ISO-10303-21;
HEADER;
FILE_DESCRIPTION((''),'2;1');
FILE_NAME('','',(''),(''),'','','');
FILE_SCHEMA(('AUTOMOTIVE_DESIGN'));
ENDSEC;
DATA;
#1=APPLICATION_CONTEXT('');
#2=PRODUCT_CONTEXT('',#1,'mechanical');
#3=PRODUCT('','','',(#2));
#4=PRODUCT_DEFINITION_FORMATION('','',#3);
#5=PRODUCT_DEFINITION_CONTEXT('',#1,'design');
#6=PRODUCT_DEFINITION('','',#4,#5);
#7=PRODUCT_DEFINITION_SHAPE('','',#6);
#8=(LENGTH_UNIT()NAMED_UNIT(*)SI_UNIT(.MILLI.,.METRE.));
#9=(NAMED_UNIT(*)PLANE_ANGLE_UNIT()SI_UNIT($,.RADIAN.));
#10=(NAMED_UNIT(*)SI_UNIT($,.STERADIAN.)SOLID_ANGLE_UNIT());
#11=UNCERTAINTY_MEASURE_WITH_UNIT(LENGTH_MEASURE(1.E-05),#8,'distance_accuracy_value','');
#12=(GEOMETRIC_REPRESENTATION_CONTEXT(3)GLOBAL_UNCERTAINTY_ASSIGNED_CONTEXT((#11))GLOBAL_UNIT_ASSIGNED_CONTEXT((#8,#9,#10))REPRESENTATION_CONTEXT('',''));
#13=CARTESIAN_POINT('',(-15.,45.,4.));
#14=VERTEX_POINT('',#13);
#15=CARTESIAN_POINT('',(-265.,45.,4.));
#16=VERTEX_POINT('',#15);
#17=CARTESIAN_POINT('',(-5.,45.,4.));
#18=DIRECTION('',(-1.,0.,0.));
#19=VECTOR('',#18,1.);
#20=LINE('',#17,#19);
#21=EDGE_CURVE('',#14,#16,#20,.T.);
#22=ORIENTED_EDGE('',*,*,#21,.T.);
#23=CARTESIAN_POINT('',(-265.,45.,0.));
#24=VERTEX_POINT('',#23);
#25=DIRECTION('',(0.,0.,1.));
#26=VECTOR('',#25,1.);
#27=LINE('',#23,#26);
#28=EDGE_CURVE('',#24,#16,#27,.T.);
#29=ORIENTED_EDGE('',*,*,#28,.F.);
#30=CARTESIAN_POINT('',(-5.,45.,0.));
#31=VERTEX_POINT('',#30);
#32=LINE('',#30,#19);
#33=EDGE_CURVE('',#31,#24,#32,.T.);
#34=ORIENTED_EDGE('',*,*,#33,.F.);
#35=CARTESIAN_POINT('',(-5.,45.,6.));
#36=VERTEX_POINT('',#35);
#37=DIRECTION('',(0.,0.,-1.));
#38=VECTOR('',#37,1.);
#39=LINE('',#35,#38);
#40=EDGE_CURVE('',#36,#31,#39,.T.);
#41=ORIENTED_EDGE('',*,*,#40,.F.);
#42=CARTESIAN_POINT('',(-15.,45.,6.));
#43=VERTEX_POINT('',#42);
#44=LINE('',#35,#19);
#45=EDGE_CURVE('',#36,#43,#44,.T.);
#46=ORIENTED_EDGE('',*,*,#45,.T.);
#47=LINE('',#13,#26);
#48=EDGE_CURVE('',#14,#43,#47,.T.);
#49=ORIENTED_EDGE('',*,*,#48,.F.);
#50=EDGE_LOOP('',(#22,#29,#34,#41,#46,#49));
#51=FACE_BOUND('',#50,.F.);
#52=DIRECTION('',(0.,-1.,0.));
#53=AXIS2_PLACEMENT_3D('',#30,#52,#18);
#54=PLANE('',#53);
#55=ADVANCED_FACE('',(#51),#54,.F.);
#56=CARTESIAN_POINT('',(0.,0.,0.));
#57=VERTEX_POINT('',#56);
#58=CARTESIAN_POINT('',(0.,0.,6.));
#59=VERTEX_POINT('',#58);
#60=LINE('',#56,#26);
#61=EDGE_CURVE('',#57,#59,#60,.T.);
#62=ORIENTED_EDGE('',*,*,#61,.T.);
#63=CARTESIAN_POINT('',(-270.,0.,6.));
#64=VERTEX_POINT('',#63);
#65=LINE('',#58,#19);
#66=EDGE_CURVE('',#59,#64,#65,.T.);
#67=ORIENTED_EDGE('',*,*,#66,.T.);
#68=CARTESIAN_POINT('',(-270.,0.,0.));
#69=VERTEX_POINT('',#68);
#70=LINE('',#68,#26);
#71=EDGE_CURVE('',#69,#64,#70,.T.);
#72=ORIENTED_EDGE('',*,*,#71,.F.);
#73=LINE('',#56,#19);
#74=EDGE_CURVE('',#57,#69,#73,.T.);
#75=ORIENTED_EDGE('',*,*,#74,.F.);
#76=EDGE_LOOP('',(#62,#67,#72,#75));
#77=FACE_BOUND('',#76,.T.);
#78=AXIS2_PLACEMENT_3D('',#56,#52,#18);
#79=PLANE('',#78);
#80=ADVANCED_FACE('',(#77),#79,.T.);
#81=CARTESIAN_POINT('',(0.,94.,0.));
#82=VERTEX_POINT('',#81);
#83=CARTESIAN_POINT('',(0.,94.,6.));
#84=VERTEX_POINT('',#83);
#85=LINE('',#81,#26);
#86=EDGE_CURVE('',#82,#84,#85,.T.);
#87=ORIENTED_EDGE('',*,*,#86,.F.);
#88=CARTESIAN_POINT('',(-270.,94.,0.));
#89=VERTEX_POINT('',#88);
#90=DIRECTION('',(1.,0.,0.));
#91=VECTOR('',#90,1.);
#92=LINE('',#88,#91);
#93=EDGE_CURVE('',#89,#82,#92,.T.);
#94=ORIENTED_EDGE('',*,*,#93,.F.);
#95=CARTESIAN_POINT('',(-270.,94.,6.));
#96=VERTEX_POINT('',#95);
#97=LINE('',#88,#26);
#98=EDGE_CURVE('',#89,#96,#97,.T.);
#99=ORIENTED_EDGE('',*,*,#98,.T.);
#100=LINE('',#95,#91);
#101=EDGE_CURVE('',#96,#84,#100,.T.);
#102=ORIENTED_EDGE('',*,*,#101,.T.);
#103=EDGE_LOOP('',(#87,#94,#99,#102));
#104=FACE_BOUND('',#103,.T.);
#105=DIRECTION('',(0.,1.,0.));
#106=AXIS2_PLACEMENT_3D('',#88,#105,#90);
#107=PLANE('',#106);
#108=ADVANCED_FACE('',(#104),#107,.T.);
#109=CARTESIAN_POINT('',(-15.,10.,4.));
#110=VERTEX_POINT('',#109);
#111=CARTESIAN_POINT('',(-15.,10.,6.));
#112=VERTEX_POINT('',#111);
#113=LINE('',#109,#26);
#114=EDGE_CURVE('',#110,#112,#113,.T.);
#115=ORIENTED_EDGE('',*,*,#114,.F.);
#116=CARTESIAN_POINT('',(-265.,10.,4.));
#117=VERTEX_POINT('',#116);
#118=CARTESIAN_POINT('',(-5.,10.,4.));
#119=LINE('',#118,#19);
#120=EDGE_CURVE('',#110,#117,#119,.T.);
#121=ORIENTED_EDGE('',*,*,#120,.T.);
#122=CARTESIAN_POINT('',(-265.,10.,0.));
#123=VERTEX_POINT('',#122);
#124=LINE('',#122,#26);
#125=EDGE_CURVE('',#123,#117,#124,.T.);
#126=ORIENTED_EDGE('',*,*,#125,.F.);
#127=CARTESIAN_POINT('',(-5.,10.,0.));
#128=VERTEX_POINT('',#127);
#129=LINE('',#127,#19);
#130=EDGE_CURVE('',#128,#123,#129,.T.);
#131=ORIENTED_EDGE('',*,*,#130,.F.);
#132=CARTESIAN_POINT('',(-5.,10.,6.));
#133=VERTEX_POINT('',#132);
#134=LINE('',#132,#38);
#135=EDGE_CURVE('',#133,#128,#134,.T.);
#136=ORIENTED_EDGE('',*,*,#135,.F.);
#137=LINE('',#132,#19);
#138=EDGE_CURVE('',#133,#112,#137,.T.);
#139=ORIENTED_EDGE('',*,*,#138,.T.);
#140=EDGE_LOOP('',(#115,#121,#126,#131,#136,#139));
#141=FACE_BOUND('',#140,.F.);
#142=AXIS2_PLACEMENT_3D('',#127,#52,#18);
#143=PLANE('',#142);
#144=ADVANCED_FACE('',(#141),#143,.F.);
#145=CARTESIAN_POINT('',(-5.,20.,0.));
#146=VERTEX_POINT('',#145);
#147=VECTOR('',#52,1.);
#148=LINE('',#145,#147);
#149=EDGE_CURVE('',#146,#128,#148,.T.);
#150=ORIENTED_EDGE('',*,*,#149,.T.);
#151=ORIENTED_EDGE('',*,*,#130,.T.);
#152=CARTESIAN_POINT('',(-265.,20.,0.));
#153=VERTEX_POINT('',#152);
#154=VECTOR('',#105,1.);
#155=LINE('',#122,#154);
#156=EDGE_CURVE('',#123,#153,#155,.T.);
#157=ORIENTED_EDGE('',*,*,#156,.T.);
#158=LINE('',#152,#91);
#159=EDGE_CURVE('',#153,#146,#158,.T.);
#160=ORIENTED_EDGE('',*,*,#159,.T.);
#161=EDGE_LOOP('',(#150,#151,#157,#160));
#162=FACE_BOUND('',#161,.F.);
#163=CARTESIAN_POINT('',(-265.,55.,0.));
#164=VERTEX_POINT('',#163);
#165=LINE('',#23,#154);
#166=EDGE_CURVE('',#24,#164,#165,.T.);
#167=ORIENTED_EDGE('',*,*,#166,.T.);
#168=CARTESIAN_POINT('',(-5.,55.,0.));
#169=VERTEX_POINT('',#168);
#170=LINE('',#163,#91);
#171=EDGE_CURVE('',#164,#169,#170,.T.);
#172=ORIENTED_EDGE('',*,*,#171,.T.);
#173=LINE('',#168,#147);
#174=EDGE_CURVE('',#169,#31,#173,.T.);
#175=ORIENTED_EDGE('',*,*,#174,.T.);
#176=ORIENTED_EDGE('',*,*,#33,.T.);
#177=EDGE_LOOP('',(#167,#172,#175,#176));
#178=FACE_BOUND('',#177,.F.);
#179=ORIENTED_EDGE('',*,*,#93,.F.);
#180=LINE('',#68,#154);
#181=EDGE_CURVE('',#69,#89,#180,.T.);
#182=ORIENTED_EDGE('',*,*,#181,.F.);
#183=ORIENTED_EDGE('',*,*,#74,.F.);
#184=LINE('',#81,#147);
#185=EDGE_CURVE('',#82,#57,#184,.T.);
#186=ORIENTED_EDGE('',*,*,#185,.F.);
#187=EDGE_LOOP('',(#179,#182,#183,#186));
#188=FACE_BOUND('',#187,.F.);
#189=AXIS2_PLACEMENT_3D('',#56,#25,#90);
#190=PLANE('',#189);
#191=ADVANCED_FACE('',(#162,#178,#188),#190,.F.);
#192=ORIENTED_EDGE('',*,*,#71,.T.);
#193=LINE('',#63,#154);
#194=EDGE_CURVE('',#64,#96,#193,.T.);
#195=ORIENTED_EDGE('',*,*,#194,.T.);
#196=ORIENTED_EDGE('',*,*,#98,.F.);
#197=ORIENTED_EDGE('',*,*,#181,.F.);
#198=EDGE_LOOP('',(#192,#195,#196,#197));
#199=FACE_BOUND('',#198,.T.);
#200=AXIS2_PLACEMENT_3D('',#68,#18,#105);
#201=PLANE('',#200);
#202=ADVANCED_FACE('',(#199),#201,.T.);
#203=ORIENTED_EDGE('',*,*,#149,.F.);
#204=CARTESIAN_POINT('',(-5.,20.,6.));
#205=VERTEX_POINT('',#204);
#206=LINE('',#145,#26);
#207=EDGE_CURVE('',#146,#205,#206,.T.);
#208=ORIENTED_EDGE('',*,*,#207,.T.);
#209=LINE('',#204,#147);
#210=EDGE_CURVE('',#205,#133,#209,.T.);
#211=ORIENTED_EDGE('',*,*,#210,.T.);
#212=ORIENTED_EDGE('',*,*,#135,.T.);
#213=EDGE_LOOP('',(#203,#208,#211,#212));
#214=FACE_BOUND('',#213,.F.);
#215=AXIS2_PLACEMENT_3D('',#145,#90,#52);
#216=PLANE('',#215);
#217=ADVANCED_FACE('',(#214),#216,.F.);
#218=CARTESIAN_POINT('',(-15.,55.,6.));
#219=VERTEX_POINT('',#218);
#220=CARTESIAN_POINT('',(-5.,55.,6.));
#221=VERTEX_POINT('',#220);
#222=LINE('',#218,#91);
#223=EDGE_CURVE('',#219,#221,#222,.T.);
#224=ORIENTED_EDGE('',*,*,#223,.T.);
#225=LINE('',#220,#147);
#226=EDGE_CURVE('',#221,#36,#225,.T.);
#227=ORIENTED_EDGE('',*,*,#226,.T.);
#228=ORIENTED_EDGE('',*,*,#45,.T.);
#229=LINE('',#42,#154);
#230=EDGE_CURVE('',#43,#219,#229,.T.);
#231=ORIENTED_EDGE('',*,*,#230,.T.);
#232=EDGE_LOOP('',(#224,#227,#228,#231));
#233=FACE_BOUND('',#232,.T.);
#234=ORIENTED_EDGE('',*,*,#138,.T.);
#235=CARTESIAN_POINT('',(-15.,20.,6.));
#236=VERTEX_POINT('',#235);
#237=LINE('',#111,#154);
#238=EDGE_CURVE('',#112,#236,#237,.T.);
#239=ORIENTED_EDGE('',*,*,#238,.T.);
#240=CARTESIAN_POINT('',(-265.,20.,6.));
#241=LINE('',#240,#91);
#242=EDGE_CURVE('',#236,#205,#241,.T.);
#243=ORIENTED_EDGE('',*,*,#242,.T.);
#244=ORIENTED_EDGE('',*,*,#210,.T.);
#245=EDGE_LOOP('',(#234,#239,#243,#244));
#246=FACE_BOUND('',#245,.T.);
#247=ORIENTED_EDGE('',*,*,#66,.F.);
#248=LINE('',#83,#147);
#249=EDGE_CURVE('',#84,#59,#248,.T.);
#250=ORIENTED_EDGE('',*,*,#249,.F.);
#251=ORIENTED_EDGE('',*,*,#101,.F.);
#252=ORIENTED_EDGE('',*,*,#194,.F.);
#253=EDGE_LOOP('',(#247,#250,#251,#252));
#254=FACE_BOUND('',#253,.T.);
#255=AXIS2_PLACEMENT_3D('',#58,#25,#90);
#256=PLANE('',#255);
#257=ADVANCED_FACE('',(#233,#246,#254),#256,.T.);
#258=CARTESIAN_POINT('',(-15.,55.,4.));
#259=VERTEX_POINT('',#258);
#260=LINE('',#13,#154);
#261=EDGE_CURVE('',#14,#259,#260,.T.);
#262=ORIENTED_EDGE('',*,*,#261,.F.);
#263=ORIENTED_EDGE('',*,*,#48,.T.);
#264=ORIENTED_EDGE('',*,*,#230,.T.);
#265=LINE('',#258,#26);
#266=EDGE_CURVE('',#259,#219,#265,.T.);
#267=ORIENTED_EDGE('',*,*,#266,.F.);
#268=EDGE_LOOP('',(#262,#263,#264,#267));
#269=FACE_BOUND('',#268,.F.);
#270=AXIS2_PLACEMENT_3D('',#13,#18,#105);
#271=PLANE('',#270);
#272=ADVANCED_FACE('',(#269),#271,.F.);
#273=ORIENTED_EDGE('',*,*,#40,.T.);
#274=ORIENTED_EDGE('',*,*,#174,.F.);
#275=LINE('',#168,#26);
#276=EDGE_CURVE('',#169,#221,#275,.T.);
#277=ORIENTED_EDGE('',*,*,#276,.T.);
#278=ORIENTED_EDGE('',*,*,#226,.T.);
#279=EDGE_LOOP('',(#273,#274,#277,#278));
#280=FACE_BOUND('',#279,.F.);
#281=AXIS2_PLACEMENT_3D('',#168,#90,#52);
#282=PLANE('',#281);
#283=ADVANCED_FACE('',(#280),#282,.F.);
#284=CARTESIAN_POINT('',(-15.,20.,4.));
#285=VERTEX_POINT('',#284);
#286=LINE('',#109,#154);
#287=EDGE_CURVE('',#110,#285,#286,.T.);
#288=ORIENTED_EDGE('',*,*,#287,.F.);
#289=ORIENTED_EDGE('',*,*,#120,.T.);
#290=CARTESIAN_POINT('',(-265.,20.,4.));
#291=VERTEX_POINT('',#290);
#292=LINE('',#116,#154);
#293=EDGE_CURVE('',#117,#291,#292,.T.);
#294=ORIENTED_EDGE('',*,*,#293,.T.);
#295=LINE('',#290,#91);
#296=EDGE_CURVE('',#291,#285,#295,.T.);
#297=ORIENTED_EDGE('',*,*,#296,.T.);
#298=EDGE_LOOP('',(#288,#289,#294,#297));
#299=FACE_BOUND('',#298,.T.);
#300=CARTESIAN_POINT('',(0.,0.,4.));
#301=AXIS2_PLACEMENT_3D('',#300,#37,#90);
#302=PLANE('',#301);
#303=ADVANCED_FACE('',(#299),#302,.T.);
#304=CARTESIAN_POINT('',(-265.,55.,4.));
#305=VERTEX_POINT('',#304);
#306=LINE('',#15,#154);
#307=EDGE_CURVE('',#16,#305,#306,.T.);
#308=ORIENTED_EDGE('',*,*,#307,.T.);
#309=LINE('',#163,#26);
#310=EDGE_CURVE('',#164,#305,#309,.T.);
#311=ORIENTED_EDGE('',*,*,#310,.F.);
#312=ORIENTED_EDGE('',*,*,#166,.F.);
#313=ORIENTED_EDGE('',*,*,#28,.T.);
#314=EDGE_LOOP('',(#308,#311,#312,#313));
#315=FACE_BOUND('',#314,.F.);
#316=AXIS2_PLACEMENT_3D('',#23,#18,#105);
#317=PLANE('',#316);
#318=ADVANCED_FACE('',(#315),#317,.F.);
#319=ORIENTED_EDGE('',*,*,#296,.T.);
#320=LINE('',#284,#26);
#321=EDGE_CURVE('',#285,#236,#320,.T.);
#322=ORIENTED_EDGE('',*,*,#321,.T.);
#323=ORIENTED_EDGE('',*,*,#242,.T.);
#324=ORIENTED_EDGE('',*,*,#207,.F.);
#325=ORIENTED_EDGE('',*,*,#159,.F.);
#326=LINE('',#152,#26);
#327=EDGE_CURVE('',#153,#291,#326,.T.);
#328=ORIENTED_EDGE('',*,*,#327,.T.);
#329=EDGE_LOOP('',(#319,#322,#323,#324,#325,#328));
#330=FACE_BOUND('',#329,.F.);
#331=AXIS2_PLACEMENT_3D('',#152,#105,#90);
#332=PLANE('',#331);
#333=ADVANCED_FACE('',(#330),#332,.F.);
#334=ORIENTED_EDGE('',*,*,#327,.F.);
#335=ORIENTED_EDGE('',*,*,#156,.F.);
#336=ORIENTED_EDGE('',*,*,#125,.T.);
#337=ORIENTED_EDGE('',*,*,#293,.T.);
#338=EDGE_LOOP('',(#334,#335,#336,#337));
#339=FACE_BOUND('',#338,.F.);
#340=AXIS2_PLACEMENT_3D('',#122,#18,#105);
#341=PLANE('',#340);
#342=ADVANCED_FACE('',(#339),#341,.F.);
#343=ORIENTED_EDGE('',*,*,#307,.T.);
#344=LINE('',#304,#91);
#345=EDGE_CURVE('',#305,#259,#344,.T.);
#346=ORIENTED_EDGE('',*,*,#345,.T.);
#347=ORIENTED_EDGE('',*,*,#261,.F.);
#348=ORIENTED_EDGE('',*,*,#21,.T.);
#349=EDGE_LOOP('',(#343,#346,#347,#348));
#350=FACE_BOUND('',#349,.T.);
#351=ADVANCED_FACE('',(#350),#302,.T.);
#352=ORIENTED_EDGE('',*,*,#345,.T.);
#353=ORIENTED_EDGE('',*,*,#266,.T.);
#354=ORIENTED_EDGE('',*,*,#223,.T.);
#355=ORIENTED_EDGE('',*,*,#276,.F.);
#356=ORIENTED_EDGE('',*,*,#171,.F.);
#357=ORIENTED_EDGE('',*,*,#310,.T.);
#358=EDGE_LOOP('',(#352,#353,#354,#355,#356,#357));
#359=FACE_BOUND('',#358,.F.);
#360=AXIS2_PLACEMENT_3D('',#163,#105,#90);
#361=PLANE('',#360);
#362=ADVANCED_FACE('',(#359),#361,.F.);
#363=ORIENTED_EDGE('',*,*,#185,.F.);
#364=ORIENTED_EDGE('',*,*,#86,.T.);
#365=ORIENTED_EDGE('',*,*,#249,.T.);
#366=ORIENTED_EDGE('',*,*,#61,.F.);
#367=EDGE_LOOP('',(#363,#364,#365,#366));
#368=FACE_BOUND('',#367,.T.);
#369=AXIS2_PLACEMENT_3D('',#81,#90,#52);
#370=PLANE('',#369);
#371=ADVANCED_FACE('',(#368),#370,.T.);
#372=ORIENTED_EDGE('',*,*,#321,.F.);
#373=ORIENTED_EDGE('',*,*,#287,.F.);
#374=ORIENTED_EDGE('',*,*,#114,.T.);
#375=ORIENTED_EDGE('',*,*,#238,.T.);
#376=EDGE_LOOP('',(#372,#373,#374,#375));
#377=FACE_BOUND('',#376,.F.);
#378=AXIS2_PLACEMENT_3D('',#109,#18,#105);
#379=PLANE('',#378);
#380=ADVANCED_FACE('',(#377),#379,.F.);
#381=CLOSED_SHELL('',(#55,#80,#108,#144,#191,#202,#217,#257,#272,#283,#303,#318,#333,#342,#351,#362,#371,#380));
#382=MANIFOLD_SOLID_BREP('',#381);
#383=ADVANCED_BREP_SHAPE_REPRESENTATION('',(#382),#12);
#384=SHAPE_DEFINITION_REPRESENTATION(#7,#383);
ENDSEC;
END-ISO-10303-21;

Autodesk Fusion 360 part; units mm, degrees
sketch "Sorted Smarties Top" plane through (0, 0, 0) normal (0, 0, 1) x (1, 0, 0)
  line L0 (0, 0) -> (-270, 0)
  line L1 (-270, 0) -> (-270, 94)
  line L2 (-270, 94) -> (0, 94)
  line L3 (0, 94) -> (0, 0)
  dimension "d2" = 270
  dimension "d3" = 94
extrude "Extrude1" add sketch "Sorted Smarties Top" along normal blind 6
sketch "Sketch2" plane through (0, 0, 0) normal (0, 0, -1) x (1, 0, 0)
  line L0 (-270, -94) -> (0, -94)
  line L1 (0, -94) -> (0, 0)
  line L2 (0, 0) -> (-270, 0)
  line L3 (-270, 0) -> (-270, -94)
  line L4 (-5, -10) -> (-265, -10)
  line L5 (-265, -10) -> (-265, -20)
  line L6 (-265, -20) -> (-5, -20)
  line L7 (-5, -20) -> (-5, -10)
  line L8 (-5, -45) -> (-265, -45)
  line L9 (-265, -45) -> (-265, -55)
  line L10 (-265, -55) -> (-5, -55)
  line L11 (-5, -55) -> (-5, -45)
  dimension "d6" = 10
  dimension "d7" = 10
  dimension "d8" = 10
  dimension "d9" = 25
  dimension "d10" = 5
  dimension "d11" = 5
  dimension "d12" = 5
  dimension "d13" = 5
extrude "Extrude2" cut sketch "Sketch2" against normal blind 4 contours L4 L5 L6 L7 | L8 L9 L10 L11
sketch "Sketch3" plane through (0, 0, 4) normal (0, 0, -1) x (1, 0, 0)
  line L0 (-5, -20) -> (-5, -10)
  line L1 (-5, -10) -> (-265, -10)
  line L2 (-265, -10) -> (-265, -20)
  line L3 (-265, -20) -> (-5, -20)
  line L4 (-5, -10) -> (-15, -10)
  line L5 (-15, -10) -> (-15, -20)
  line L6 (-15, -20) -> (-5, -20)
  line L7 (-5, -20) -> (-5, -10)
  line L8 (-5, -45) -> (-15, -45)
  line L9 (-15, -45) -> (-15, -55)
  line L10 (-15, -55) -> (-5, -55)
  line L11 (-5, -55) -> (-5, -45)
extrude "Extrude3" cut sketch "Sketch3" against normal blind 2 contours L0 L1 L3 L4 L5 L6 L7 | L8 L9 L10 L11
equation "MDFThickness = 6 mm" comment "Thickness of the MDF board."
equation "d3 = 100 mm - MDFThickness"
equation "d4 = MDFThickness"
